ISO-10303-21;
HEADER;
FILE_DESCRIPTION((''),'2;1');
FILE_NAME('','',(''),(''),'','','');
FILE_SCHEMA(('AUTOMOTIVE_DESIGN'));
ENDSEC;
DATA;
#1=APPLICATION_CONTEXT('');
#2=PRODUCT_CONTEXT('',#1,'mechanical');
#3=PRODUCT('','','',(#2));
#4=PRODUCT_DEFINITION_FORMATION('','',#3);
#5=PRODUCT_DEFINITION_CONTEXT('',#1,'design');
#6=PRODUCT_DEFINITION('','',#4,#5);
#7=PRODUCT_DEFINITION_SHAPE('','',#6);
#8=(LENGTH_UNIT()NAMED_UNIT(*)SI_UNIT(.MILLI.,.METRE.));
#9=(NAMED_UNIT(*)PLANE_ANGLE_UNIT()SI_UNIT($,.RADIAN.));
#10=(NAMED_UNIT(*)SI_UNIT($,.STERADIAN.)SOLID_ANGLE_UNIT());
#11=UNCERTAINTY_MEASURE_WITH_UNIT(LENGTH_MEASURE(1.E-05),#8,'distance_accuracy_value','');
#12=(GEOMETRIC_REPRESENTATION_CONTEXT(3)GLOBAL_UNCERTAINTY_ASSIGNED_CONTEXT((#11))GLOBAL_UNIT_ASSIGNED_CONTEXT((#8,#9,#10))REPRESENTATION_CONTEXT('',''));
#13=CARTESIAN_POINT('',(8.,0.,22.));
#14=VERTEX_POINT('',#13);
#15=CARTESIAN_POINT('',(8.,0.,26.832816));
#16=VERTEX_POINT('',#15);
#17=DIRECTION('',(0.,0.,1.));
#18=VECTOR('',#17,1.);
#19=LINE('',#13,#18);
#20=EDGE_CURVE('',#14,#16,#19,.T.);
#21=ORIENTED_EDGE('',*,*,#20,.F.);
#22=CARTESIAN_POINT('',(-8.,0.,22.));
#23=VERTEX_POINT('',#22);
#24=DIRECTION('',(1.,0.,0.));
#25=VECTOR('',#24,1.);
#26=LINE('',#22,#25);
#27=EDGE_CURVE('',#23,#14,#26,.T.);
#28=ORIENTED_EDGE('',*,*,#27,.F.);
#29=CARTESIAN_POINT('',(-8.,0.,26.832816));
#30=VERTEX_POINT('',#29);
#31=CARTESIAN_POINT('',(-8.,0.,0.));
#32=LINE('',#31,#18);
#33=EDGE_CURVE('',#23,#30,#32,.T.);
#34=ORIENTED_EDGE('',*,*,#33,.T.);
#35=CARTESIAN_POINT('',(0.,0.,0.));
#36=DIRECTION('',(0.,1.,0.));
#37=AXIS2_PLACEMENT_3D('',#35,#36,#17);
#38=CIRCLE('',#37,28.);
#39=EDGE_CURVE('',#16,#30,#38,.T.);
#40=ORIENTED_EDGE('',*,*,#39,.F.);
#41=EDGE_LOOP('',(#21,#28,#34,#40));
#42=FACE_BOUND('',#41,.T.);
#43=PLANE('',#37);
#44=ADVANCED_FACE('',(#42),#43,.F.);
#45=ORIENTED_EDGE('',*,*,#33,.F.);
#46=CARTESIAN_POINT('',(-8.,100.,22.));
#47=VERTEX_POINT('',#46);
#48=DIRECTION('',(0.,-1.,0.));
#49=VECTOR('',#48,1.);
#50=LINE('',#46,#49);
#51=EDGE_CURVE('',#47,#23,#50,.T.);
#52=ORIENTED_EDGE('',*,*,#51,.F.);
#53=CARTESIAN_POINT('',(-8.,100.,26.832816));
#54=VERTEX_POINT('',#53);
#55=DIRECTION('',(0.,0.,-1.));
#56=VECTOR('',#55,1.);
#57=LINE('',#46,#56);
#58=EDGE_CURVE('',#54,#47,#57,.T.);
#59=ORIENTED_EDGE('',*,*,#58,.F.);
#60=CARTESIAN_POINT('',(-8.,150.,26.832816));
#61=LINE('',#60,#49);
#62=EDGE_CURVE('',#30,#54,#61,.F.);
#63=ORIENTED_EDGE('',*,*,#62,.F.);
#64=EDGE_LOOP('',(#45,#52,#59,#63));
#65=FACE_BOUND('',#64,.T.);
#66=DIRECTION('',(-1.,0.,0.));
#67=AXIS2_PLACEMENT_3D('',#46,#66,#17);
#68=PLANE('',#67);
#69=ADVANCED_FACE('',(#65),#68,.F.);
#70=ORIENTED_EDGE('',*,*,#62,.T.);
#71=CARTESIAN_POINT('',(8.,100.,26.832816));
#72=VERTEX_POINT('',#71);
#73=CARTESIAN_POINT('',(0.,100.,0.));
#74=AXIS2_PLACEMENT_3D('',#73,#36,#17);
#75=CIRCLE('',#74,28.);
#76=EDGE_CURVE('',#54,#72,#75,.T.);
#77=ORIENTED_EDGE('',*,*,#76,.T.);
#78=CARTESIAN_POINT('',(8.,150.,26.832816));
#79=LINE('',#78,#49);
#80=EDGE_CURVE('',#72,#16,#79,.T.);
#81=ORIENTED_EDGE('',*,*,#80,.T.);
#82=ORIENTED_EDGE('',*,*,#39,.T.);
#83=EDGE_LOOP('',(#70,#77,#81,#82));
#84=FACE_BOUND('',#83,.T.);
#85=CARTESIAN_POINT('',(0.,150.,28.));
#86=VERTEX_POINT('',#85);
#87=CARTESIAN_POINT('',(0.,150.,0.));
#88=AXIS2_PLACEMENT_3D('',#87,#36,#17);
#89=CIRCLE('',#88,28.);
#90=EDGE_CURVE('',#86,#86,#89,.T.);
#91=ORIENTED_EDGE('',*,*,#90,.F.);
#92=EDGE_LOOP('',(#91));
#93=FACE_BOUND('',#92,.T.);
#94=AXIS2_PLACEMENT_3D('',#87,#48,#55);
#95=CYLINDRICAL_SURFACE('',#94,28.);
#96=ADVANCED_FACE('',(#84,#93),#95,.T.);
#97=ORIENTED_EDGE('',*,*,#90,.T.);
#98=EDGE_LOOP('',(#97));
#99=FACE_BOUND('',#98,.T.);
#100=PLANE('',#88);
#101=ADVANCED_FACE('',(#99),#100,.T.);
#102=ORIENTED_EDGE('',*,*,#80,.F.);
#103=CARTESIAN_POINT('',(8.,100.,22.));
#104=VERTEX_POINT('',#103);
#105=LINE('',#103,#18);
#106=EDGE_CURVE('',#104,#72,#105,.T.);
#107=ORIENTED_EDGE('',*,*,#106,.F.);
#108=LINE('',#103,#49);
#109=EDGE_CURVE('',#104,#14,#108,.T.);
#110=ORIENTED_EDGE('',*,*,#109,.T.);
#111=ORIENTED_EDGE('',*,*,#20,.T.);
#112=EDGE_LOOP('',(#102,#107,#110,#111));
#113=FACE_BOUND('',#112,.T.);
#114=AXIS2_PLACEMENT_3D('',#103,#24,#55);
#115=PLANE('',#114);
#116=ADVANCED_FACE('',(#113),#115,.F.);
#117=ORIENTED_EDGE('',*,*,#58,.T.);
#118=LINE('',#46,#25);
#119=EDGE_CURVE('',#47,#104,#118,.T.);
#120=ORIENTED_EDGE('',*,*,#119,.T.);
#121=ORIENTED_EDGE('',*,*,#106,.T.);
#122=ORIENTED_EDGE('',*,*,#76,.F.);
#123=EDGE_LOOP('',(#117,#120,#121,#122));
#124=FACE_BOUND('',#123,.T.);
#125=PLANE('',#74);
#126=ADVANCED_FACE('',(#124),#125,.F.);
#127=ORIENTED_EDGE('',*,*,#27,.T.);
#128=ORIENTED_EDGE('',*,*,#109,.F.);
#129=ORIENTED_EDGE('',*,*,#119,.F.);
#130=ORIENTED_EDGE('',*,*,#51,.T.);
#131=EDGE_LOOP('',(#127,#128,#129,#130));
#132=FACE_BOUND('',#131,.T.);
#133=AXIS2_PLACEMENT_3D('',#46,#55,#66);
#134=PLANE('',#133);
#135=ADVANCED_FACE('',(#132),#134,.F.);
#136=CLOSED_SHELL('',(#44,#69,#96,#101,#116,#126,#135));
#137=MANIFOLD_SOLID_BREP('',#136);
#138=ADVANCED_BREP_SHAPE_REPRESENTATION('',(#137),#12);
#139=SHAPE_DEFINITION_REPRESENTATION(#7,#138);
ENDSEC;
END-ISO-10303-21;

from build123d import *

# Parameters (mm, degrees)
SKETCH1_R           = 28
BOSS_EXTRUDE1_DEPTH = 150
SKETCH2_W           = 16
SKETCH2_H           = 6
CUT_EXTRUDE1_DEPTH  = 100


with BuildPart() as part:
    # Sketch1 → Boss-Extrude1 (new body)
    with BuildSketch(Plane(origin=(0, 0, 0), x_dir=(1, 0, 0), z_dir=(0, 1, 0))):
        with Locations(Location((0, 0, 0), (0, 0, 270))):
            Circle(SKETCH1_R)
    extrude(amount=BOSS_EXTRUDE1_DEPTH)

    # Sketch2 → Cut-Extrude1 (cut)
    with BuildSketch(Plane.XZ):
        with Locations((0, 25)):
            Rectangle(SKETCH2_W, SKETCH2_H)
    extrude(amount=-CUT_EXTRUDE1_DEPTH, mode=Mode.SUBTRACT)


solid = part.part
